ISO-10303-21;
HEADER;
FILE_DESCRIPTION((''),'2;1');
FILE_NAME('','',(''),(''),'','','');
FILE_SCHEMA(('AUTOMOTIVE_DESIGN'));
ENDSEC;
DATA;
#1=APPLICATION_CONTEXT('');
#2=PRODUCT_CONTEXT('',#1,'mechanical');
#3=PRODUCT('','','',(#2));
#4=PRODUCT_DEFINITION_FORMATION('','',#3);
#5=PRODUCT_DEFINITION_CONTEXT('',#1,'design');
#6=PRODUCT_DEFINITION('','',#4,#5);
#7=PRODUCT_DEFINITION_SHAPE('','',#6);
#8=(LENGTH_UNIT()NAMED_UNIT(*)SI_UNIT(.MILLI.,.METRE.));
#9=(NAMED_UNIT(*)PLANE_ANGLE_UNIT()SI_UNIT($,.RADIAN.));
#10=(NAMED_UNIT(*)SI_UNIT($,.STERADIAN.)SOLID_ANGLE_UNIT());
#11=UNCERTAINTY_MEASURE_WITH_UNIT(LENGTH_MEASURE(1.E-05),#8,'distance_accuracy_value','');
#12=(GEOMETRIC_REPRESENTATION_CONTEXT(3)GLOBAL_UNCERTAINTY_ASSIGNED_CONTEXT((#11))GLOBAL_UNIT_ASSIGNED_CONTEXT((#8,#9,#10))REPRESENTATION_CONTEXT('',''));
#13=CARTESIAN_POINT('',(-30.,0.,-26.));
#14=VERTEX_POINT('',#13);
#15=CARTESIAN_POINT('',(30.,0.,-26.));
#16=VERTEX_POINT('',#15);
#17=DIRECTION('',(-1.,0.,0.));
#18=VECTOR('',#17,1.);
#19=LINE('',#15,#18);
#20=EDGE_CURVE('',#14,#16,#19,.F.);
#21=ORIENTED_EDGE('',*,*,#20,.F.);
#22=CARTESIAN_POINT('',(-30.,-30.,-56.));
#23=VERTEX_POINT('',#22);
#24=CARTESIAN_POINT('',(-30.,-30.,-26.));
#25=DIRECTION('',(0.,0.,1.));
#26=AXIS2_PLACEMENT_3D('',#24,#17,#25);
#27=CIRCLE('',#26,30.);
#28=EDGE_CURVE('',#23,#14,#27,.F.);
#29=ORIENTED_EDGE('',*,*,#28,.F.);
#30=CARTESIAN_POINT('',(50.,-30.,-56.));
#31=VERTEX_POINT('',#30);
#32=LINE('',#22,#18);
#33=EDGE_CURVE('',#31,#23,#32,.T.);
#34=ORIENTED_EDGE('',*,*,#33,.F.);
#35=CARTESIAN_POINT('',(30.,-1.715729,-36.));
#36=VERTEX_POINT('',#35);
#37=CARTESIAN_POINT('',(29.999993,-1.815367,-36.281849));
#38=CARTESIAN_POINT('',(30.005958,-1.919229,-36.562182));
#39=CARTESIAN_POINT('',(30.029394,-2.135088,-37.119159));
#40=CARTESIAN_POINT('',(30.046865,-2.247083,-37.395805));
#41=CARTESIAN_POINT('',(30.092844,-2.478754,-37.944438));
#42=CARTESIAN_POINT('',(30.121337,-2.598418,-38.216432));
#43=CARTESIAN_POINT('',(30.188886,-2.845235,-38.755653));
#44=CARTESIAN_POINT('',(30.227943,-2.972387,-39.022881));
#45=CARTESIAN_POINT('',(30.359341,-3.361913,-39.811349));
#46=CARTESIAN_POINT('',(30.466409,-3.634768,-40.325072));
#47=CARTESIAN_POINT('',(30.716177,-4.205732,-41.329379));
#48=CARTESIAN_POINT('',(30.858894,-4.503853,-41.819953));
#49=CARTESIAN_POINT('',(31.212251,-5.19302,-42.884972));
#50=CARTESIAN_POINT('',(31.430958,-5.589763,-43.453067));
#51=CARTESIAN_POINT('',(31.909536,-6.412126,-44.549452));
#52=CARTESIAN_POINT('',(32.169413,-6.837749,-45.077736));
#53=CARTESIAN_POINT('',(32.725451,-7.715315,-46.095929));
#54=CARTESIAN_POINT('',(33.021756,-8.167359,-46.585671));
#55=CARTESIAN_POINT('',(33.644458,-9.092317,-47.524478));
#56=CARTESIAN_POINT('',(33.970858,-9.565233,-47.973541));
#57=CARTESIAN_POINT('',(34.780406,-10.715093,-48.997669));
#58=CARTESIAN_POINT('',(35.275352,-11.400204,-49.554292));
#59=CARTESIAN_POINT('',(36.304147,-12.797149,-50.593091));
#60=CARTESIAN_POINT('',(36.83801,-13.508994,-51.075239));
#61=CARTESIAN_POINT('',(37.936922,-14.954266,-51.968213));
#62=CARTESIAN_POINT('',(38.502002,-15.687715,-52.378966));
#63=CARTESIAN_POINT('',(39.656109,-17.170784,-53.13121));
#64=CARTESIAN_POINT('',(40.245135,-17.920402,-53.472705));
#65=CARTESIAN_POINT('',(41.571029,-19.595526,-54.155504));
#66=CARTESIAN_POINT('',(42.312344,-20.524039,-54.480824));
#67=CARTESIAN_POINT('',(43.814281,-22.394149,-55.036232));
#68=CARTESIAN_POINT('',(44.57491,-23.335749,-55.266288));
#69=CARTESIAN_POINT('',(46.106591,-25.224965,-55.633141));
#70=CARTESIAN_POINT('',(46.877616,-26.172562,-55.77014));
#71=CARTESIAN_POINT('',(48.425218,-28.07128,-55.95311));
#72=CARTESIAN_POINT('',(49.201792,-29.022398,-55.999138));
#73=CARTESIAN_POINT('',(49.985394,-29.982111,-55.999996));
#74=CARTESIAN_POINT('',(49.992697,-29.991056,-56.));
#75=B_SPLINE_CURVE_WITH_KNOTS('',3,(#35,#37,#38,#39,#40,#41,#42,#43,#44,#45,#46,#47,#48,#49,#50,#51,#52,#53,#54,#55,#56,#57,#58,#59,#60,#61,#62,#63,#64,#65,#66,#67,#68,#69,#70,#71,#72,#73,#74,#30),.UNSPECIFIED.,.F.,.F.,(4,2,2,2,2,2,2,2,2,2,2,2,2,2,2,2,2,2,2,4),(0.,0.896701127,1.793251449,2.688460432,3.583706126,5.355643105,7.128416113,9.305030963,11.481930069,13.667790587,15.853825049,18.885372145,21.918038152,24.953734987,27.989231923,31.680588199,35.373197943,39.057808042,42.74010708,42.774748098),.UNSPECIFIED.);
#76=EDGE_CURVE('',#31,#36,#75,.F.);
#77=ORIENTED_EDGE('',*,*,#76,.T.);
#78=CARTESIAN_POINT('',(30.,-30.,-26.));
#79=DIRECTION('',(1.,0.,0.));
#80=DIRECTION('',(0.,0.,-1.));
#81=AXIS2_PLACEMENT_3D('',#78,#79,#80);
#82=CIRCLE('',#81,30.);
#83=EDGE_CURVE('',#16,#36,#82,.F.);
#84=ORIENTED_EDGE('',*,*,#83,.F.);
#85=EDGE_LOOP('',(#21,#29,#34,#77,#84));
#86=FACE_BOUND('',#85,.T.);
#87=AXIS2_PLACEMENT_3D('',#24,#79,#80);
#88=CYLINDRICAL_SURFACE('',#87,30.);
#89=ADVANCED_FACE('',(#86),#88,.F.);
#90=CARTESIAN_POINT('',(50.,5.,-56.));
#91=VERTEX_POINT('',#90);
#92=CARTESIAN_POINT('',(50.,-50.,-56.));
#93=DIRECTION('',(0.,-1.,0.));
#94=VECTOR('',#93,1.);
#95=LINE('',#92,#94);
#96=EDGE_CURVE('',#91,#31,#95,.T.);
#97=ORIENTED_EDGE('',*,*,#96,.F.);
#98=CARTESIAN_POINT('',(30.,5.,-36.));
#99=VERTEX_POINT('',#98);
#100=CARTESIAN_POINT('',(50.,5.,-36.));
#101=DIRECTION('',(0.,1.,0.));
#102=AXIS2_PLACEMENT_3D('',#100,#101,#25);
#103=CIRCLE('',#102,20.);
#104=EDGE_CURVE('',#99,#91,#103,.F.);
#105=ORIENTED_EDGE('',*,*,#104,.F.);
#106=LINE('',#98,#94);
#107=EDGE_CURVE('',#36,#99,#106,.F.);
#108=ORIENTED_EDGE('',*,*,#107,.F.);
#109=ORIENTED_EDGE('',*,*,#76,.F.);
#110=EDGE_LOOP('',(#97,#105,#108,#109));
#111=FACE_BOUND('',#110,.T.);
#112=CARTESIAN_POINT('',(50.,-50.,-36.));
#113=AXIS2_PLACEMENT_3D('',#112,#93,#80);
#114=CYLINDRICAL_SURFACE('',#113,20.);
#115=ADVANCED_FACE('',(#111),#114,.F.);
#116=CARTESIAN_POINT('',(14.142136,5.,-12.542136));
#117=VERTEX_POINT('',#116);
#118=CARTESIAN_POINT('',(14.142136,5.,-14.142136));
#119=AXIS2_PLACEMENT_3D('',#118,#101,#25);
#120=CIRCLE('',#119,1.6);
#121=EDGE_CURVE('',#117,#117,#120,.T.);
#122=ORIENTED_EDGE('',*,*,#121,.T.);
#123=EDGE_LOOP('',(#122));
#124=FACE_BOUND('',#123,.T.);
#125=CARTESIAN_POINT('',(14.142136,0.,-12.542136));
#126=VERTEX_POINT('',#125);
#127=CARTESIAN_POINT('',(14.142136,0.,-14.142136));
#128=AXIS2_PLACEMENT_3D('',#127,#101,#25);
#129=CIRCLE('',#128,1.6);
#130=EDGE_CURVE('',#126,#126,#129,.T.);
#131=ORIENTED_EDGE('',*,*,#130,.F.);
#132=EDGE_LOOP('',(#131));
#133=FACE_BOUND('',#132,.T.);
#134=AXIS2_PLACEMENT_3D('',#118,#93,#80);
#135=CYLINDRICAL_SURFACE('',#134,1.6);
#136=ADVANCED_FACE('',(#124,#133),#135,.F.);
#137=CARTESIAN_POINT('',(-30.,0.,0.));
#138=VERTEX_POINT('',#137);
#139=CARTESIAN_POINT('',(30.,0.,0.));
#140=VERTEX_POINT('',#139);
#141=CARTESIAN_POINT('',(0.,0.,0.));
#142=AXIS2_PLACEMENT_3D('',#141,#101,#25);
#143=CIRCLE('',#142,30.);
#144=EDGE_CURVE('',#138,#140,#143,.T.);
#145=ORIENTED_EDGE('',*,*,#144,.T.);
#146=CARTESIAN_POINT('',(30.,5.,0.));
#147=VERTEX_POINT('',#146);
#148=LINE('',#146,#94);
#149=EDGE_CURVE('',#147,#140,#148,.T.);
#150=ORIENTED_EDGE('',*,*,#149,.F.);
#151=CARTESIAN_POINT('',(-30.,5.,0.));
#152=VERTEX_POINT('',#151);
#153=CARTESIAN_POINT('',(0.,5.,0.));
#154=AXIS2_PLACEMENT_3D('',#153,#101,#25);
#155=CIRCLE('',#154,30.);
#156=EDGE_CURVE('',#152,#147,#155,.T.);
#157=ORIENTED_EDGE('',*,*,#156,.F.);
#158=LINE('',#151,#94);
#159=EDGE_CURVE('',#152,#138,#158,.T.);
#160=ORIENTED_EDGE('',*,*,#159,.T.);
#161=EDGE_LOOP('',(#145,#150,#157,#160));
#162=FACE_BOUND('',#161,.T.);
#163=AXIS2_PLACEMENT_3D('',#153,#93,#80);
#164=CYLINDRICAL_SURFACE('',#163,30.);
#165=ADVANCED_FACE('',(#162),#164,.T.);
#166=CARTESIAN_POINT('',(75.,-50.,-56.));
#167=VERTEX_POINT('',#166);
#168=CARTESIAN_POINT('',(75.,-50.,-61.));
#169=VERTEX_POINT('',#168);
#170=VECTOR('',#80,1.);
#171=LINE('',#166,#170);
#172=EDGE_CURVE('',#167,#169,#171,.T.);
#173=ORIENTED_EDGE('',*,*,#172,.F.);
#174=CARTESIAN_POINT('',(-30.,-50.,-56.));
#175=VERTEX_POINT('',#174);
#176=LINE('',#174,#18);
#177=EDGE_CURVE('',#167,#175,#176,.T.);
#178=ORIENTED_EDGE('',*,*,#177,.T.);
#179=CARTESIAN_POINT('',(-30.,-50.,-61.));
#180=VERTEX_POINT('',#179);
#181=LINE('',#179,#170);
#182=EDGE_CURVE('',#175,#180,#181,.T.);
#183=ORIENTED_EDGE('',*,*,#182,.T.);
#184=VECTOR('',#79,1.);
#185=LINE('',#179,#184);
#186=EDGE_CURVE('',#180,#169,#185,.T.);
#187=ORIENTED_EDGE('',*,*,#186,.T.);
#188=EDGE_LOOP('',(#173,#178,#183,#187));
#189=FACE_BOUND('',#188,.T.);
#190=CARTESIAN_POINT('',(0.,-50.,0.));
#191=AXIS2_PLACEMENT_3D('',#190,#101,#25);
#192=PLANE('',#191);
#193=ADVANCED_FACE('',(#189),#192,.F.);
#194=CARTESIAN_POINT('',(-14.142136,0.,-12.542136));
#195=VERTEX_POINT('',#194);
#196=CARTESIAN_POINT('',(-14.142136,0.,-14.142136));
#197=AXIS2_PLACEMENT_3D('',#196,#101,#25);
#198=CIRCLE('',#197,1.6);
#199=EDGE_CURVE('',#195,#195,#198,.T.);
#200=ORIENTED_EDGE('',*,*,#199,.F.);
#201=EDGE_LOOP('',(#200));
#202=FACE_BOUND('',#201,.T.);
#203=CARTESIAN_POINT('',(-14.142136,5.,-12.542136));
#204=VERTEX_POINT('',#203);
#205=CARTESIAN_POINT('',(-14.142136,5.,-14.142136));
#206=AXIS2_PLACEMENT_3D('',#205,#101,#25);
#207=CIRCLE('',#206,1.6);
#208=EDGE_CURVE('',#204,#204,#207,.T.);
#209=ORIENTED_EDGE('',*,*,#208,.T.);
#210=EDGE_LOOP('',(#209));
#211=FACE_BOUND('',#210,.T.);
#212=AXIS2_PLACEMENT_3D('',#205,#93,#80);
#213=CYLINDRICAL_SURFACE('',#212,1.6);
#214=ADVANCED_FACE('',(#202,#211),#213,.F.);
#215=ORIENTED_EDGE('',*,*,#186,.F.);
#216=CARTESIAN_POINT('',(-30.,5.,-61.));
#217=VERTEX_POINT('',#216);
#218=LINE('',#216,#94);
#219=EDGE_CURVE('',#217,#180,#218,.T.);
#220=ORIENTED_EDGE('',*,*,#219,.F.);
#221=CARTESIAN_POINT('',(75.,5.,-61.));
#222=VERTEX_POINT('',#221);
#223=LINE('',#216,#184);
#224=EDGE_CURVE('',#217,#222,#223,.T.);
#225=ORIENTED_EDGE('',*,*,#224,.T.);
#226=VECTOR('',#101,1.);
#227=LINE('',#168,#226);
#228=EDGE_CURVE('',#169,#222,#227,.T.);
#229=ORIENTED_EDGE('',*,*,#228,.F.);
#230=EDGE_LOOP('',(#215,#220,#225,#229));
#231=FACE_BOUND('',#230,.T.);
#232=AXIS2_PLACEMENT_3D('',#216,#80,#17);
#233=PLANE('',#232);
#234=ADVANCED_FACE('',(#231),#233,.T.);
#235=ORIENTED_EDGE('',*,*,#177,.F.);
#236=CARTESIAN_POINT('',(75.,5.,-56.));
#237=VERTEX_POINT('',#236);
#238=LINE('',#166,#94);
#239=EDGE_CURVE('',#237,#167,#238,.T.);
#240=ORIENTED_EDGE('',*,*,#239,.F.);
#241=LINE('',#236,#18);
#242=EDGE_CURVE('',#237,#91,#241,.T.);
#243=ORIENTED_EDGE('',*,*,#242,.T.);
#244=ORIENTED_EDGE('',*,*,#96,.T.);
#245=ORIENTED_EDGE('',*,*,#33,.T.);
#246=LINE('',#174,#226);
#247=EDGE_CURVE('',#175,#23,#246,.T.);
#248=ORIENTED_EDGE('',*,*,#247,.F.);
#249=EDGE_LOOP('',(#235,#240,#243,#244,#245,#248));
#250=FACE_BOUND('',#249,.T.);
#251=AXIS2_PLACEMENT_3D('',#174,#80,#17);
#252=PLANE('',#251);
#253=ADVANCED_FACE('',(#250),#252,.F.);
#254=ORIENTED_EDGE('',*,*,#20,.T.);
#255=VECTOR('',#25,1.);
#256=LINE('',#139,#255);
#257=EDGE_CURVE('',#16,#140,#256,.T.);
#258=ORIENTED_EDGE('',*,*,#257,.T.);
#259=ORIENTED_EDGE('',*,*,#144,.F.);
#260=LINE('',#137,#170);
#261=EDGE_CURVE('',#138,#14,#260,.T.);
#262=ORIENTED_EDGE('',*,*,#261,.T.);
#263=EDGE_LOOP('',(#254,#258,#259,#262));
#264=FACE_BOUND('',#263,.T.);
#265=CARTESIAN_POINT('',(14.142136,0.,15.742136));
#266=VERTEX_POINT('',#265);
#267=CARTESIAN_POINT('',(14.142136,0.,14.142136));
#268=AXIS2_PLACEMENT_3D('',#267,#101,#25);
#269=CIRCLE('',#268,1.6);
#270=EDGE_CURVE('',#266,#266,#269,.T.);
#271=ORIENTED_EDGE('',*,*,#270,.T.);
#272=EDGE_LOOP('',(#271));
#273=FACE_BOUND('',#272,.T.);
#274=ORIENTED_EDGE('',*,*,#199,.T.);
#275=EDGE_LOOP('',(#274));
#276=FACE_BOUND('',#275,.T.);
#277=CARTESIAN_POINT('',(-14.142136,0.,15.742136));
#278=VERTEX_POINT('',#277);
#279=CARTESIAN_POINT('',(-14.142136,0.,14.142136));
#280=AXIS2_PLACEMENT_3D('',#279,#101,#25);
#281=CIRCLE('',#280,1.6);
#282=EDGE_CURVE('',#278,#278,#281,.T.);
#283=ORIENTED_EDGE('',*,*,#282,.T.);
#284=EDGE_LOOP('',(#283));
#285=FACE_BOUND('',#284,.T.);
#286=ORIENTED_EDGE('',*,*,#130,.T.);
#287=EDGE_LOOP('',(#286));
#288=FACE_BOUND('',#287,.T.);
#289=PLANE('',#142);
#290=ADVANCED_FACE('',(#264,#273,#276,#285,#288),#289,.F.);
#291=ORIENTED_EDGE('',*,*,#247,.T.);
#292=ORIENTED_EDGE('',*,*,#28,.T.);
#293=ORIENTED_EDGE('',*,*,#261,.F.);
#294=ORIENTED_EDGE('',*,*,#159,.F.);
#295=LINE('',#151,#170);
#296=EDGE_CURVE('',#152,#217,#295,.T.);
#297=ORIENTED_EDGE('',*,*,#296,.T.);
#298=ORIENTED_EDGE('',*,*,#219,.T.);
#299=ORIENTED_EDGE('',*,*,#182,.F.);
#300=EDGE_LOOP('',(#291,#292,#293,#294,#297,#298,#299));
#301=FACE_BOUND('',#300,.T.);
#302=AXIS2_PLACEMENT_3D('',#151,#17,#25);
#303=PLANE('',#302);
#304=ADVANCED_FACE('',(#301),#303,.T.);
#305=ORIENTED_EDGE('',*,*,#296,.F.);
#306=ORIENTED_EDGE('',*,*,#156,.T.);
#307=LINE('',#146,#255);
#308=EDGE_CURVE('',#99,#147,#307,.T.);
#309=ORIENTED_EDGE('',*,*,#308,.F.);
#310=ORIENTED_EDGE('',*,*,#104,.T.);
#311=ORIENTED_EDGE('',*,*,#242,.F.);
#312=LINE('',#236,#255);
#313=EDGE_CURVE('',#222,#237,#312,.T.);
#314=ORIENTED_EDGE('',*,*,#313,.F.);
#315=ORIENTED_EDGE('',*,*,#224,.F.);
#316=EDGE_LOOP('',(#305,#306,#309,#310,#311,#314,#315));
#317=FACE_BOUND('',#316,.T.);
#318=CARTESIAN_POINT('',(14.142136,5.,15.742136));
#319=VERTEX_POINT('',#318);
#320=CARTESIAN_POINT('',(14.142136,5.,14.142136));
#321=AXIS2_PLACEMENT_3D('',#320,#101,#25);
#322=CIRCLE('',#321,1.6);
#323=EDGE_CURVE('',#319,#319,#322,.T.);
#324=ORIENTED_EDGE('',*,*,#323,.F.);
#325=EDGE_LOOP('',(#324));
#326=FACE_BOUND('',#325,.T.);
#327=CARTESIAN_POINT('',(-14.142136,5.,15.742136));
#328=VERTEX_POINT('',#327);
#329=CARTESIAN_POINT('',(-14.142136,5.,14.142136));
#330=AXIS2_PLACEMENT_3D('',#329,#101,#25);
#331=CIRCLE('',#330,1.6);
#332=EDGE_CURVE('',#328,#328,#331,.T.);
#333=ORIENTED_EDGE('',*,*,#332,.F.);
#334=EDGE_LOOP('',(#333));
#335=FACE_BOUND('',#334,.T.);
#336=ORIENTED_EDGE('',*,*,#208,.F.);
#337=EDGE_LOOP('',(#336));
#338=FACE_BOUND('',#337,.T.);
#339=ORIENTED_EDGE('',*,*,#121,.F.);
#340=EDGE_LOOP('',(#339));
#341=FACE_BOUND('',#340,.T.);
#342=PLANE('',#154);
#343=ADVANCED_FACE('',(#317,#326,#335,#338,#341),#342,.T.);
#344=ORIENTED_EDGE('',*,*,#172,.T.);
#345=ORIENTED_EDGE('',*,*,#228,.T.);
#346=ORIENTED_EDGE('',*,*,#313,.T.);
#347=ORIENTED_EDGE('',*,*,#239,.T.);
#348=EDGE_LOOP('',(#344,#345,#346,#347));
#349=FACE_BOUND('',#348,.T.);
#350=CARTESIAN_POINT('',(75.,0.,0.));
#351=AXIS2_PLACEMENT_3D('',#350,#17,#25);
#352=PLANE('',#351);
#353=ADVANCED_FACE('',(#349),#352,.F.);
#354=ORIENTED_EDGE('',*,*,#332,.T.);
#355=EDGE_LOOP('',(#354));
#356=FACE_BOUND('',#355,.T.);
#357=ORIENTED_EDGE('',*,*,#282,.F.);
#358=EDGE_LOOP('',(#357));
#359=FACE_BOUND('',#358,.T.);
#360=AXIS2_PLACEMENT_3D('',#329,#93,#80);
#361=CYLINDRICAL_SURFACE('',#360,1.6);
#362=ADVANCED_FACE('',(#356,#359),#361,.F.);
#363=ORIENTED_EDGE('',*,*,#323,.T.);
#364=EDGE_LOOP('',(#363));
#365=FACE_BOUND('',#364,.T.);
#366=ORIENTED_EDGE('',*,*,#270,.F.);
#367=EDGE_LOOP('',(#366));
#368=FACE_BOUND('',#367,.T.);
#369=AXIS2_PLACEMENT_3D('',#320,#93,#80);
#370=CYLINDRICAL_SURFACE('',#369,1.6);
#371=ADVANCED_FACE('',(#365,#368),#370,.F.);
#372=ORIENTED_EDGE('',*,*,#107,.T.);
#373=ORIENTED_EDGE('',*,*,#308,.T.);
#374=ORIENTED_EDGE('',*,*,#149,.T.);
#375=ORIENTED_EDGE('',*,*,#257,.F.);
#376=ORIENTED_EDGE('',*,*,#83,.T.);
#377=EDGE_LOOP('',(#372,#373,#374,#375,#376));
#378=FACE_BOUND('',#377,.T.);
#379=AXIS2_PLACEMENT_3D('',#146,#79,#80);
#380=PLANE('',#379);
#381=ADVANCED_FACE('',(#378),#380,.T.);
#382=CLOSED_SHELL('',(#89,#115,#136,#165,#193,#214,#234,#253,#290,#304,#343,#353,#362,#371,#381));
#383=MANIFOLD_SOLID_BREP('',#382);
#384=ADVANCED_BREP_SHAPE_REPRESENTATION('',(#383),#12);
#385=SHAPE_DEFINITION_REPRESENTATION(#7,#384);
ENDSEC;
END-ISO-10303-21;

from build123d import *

# Parameters (mm, degrees)
SKETCH1_R           = 30
SKETCH1_R_2         = 1.6
BOSS_EXTRUDE1_DEPTH = 5
BOSS_EXTRUDE2_DEPTH = 5
SKETCH3_W           = 60
SKETCH3_H           = 5
BOSS_EXTRUDE3_DEPTH = 50
FILLET1_R           = 30
SKETCH4_W           = 5
SKETCH4_H           = 55
BOSS_EXTRUDE4_DEPTH = 45
FILLET2_R           = 20


with BuildPart() as part:
    # Sketch1 → Boss-Extrude1 (new body)
    with BuildSketch(Plane(origin=(0, 0, 0), x_dir=(1, 0, 0), z_dir=(0, 1, 0))):
        with Locations(Location((0, 0, 0), (0, 0, 270))):
            Circle(SKETCH1_R)
        with Locations(Location((14.142135624, 14.142135624, 0), (0, 0, 270))):
            Circle(SKETCH1_R_2, mode=Mode.SUBTRACT)
        with Locations(Location((-14.142135624, 14.142135624, 0), (0, 0, 270))):
            Circle(SKETCH1_R_2, mode=Mode.SUBTRACT)
        with Locations(Location((-14.142135624, -14.142135624, 0), (0, 0, 270))):
            Circle(SKETCH1_R_2, mode=Mode.SUBTRACT)
        with Locations(Location((14.142135624, -14.142135624, 0), (0, 0, 270))):
            Circle(SKETCH1_R_2, mode=Mode.SUBTRACT)
    extrude(amount=BOSS_EXTRUDE1_DEPTH)

    # Sketch2 → Boss-Extrude2 (add)
    with BuildSketch(Plane.XZ):
        with BuildLine():
            Line((-30, -61), (30, -61))
            Line((30, -61), (30, 0))
            ThreePointArc((30, 0), (0, -30), (-30, 0))
            Line((-30, 0), (-30, -61))
        make_face()
    extrude(amount=-BOSS_EXTRUDE2_DEPTH)

    # Sketch3 → Boss-Extrude3 (add)
    with BuildSketch(Plane.XZ):
        with Locations((0, -58.5)):
            Rectangle(SKETCH3_W, SKETCH3_H)
    extrude(amount=BOSS_EXTRUDE3_DEPTH)

    # Fillet1
    fillet1_edges = [part.edges().sort_by_distance(p)[0] for p in [
        (0, 0, -56),
    ]]
    fillet(fillet1_edges, radius=FILLET1_R)

    # Sketch4 → Boss-Extrude4 (add)
    with BuildSketch(Plane(origin=(30, 0, 0), x_dir=(0, 0, -1), z_dir=(1, 0, 0))):
        with Locations((58.5, -22.5)):
            Rectangle(SKETCH4_W, SKETCH4_H)
    extrude(amount=BOSS_EXTRUDE4_DEPTH)

    # Fillet2
    fillet2_edges = [part.edges().sort_by_distance(p)[0] for p in [
        (30, -12.5, -56),
    ]]
    fillet(fillet2_edges, radius=FILLET2_R)


solid = part.part
